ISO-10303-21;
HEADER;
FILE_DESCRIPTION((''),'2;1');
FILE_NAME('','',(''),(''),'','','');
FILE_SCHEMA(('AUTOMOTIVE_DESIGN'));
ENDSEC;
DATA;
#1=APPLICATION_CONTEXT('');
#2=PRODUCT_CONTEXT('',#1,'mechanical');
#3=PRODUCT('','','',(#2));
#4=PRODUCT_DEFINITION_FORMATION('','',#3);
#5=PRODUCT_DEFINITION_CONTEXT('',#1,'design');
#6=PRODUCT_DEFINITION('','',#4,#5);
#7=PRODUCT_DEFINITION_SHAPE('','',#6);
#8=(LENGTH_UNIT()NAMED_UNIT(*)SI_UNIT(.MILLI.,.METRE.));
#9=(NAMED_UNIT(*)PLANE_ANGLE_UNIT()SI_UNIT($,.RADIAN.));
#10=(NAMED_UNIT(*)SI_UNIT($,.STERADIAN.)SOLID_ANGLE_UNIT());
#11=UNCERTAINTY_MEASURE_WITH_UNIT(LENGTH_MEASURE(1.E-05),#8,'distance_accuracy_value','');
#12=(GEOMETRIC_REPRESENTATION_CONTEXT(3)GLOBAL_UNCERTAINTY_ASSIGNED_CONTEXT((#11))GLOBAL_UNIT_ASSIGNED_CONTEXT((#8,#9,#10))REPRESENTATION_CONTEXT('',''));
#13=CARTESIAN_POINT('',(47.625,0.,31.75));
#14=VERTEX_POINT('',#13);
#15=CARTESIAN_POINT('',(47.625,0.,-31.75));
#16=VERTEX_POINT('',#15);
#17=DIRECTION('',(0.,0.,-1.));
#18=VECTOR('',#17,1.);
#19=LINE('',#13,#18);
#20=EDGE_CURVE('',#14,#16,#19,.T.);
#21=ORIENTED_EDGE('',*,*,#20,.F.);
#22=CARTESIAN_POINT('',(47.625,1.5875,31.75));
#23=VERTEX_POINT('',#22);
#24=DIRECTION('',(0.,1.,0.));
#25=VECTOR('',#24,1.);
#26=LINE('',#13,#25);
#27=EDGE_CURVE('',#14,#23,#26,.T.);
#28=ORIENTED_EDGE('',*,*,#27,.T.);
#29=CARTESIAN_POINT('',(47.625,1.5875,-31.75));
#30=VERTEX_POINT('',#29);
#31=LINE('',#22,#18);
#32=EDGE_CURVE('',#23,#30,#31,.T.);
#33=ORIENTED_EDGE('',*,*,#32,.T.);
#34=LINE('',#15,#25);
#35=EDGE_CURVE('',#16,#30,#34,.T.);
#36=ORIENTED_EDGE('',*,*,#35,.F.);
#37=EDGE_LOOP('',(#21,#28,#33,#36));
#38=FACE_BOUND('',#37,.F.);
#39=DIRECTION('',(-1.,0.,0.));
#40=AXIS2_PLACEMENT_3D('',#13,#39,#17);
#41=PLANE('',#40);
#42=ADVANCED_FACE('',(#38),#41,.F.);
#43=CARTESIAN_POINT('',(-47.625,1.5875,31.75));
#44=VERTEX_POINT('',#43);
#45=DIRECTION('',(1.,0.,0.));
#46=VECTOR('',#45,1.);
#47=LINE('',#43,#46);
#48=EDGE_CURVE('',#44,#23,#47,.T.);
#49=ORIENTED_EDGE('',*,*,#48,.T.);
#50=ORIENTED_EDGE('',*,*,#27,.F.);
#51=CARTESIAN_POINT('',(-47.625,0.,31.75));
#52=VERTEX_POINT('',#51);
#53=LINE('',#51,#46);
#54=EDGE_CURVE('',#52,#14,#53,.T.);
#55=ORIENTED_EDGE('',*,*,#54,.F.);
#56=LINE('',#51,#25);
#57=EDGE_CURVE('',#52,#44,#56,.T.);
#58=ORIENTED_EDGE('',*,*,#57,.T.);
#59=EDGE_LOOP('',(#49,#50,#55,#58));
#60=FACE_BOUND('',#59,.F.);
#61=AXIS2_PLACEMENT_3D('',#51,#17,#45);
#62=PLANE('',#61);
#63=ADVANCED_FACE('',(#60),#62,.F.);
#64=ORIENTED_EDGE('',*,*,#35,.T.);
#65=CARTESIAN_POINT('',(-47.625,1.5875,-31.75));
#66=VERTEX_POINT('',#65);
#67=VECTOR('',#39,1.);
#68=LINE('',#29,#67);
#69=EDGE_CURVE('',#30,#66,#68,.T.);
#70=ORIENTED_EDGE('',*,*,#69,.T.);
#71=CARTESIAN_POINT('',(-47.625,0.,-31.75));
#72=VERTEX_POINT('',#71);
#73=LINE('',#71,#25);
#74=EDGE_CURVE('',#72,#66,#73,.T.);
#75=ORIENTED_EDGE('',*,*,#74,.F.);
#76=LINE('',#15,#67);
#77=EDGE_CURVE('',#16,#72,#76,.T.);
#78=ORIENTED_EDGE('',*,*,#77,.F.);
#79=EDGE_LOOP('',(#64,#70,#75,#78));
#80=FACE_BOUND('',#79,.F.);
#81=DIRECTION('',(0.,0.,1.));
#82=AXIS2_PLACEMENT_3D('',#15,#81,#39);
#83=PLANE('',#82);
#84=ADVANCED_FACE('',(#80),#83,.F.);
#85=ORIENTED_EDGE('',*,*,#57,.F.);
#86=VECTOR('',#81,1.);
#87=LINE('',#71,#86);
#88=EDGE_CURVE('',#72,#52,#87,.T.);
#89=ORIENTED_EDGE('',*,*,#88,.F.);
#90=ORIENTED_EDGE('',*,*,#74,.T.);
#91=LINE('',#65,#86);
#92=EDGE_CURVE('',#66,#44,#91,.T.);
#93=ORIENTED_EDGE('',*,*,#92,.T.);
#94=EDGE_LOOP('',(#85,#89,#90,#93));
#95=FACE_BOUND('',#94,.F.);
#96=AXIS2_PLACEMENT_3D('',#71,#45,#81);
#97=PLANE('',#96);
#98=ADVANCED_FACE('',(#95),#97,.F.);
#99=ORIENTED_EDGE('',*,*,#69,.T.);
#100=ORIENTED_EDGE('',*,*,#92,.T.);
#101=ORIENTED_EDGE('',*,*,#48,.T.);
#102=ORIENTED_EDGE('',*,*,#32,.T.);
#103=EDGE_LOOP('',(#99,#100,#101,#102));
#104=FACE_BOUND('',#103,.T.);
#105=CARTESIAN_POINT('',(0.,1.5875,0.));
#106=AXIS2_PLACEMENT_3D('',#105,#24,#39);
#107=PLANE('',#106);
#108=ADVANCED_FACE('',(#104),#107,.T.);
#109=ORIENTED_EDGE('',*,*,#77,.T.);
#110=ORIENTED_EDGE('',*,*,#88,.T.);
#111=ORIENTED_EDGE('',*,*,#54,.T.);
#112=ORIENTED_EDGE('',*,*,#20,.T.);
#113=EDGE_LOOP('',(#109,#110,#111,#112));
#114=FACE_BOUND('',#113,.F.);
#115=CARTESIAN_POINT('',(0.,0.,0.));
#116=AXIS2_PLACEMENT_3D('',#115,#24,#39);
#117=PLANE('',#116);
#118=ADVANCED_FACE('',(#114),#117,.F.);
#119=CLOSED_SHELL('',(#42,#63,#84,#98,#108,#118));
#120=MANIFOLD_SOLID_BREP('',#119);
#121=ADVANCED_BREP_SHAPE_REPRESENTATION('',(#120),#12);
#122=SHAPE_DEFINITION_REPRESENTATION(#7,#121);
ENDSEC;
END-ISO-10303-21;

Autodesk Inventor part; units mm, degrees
ref_plane "YZ Plane" through (0, 0, 0) normal (1, 0, 0) x (0, 1, 0)
ref_plane "XZ Plane" through (0, 0, 0) normal (0, 1, 0) x (-1, 0, 0)
ref_plane "XY Plane" through (0, 0, 0) normal (0, 0, 1) x (1, 0, 0)
sketch "Sketch1" plane through (0, 0, 0) normal (0, 1, 0) x (-1, 0, 0)
  line L0 (47.625, 31.75) -> (-47.625, 31.75)
  line L1 (-47.625, 31.75) -> (-47.625, -31.75)
  line L2 (-47.625, -31.75) -> (47.625, -31.75)
  line L3 (47.625, -31.75) -> (47.625, 31.75)
  line L4 (47.625, 31.75) -> (-47.625, -31.75) construction
  line L5 (-47.625, 31.75) -> (47.625, -31.75) construction
  point P0 (0, 0)
  dimension "d0" = 95.25
  dimension "d1" = 63.5
extrude "Extrusion1" add sketch "Sketch1" along normal blind 1.5875
equation "\"BendRadius\" = Thickness"
equation "\"BendReliefWidth\" = Thickness"
equation "\"BendReliefDepth\" = 0.5 * Thickness"
equation "\"CornerReliefSize\" = 4 * Thickness"
equation "\"MinimumRemnant\" = 2 * Thickness"
equation "\"TransitionRadius\" = BendRadius"
equation "\"JacobiRadiusSize\" = BendRadius"
equation "\"GapSize\" = Thickness"
equation "\"Thickness\" = 1.5875"
properties part number "Battery-Holder" material "Polycarbonate, Clear"
